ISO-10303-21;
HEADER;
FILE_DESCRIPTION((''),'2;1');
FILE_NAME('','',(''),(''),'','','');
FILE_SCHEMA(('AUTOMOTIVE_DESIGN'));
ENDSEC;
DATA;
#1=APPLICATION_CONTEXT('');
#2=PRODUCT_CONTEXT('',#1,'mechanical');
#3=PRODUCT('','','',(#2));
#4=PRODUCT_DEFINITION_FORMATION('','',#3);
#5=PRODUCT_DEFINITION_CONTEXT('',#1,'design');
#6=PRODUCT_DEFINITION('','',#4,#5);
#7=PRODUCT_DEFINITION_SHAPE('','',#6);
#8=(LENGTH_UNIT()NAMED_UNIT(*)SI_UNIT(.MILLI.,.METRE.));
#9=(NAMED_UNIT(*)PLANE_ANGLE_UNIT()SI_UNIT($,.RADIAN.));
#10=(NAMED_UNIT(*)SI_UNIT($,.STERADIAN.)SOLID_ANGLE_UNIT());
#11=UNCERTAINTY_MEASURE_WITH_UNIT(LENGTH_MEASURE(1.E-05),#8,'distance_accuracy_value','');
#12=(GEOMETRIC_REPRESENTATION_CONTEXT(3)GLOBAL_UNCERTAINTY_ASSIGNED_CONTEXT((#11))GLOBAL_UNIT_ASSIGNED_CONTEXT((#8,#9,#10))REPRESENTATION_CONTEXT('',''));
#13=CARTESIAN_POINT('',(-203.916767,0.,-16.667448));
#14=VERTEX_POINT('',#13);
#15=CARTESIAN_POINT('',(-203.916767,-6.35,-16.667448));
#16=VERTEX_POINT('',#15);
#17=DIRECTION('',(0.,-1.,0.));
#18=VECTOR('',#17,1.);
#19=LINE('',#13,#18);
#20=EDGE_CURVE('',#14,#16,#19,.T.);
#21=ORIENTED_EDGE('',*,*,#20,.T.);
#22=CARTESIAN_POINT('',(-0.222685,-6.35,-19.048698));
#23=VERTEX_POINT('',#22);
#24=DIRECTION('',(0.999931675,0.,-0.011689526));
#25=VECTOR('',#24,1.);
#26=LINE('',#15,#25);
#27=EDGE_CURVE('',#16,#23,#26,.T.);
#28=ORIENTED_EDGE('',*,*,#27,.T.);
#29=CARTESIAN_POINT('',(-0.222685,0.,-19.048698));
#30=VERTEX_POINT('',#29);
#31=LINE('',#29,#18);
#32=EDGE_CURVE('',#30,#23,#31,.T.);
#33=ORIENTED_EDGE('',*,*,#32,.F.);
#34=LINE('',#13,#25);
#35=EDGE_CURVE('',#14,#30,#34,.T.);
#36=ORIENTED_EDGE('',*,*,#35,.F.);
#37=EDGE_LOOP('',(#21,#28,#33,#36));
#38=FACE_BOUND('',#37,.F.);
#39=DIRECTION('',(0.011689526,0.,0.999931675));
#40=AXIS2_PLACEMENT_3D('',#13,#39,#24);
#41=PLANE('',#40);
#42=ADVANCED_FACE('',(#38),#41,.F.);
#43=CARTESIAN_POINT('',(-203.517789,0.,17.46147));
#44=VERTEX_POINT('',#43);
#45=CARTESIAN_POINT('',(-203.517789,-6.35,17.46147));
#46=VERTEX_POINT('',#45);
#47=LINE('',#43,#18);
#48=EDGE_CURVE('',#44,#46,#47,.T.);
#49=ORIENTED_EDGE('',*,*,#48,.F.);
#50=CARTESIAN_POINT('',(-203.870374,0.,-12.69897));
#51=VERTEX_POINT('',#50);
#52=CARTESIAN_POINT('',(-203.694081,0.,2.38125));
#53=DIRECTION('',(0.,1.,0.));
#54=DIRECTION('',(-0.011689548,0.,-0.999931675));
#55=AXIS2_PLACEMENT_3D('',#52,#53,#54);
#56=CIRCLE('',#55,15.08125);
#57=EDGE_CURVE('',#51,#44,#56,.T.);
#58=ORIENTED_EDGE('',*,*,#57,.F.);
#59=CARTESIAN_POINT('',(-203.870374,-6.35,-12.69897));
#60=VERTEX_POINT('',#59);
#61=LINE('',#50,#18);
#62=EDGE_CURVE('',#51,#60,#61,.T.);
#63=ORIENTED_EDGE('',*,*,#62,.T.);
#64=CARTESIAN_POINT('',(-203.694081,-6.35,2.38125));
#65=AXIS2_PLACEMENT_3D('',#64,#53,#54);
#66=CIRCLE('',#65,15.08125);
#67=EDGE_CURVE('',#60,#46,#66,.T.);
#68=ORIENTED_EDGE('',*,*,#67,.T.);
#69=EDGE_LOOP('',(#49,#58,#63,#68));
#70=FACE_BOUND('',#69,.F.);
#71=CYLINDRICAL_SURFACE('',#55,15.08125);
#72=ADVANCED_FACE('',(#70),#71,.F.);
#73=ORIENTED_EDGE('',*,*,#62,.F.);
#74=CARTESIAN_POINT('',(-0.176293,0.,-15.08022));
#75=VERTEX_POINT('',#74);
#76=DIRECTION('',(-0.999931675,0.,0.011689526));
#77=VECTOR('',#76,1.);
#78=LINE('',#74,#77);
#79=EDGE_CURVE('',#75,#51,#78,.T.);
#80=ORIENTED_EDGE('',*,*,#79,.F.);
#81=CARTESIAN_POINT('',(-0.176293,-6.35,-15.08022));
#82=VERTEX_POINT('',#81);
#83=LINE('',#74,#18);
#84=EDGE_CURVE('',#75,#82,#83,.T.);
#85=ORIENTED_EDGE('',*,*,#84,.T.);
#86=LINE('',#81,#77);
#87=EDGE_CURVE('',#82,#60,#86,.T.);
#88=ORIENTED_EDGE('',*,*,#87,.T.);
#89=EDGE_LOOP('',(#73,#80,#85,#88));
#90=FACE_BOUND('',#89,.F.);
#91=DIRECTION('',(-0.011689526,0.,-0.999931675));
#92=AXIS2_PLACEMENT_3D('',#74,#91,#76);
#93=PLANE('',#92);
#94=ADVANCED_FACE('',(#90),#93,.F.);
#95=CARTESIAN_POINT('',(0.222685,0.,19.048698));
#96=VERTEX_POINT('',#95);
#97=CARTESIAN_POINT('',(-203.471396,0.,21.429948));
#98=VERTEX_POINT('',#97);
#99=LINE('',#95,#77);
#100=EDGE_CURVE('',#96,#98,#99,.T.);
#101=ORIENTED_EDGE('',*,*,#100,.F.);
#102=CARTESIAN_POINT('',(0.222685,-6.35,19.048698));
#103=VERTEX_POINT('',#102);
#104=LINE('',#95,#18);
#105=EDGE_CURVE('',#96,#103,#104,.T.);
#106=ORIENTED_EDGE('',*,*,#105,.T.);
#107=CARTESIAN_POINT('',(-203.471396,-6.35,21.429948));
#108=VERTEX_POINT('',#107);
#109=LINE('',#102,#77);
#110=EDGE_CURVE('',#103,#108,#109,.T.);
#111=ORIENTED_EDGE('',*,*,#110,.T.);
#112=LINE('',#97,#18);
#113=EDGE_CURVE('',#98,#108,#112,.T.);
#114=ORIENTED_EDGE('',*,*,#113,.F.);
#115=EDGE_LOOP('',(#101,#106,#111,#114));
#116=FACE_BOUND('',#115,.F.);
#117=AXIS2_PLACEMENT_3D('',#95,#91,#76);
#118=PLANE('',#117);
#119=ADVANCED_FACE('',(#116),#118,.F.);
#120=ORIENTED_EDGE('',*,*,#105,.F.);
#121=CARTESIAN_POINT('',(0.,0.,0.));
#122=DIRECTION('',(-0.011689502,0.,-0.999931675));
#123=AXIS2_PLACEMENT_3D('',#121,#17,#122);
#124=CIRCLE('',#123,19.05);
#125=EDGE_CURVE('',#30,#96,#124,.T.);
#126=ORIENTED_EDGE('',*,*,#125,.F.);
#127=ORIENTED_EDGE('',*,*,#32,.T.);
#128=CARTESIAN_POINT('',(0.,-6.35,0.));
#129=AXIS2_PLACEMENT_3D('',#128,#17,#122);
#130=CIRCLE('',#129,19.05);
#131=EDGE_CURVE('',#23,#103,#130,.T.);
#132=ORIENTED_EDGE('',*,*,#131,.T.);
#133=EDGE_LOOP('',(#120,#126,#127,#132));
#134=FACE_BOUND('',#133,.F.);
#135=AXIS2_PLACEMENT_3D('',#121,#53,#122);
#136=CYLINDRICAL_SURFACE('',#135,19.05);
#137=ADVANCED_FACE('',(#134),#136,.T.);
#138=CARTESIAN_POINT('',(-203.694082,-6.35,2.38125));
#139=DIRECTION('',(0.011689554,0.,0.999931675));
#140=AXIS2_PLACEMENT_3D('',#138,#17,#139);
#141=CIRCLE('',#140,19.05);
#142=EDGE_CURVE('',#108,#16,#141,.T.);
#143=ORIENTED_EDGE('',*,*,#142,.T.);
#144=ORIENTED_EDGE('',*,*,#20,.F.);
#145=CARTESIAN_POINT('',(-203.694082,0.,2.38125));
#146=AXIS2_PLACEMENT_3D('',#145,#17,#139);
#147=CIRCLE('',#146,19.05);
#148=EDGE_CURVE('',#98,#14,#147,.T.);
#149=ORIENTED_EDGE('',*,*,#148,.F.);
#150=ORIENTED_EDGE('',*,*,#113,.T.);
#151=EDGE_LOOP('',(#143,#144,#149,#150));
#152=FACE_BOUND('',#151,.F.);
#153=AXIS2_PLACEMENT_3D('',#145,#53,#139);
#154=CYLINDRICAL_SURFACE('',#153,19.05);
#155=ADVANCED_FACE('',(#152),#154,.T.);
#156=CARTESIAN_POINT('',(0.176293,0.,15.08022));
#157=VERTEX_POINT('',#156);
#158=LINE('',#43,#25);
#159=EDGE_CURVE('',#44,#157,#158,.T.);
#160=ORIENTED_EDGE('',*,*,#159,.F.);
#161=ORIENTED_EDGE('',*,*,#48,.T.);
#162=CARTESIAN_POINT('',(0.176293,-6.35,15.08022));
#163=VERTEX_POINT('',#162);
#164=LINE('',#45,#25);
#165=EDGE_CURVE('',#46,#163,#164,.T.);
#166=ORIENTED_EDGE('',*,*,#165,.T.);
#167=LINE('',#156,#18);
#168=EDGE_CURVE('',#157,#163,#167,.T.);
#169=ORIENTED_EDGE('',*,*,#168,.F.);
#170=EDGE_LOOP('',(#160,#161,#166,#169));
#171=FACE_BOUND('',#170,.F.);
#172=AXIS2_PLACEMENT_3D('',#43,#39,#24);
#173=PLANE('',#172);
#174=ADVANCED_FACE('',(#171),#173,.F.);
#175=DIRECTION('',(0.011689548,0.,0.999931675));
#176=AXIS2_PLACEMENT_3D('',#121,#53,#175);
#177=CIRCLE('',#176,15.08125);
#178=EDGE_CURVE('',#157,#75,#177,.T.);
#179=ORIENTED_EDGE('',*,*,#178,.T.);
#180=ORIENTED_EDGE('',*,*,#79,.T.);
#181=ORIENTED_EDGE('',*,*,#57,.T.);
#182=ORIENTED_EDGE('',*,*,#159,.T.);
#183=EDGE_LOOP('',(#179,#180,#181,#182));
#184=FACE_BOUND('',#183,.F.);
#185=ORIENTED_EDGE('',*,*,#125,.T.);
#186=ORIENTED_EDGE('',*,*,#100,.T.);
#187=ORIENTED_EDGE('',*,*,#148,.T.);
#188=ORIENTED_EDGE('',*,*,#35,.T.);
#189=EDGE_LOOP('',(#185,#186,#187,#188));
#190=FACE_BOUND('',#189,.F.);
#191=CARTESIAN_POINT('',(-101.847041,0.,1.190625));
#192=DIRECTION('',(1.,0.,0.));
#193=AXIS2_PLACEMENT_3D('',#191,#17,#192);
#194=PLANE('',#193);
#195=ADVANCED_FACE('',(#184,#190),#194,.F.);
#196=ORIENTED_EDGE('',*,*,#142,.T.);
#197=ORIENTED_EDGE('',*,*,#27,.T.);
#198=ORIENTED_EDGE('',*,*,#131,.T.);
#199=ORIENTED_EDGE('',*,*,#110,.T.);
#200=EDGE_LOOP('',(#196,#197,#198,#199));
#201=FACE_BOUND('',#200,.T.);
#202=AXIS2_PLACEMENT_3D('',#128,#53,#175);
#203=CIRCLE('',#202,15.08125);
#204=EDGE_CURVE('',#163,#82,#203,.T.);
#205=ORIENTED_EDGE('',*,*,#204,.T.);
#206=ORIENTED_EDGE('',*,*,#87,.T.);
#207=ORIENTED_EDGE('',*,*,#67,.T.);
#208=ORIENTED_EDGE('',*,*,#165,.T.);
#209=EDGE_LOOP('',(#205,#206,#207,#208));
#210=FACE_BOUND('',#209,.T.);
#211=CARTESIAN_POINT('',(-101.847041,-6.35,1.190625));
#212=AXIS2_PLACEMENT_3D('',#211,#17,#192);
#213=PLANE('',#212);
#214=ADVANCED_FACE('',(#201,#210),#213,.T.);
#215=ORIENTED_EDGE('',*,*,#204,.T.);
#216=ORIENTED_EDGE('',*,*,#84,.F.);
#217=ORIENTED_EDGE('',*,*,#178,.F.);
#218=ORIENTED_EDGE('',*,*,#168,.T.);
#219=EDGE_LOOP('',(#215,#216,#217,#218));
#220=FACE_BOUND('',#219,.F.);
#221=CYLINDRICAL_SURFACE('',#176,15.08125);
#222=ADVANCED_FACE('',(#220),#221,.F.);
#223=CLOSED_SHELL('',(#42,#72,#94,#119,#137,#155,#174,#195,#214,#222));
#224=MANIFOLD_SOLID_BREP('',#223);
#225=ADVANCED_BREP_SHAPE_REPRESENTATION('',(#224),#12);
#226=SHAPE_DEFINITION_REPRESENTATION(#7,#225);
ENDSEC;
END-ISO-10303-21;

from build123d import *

# Parameters (mm, degrees)
F1_DEPTH = 6.35


with BuildPart() as f1:
    # F0 (on Front) → F1 (new body)
    with BuildSketch(Plane.XZ):
        with BuildLine():
            Line((0.222685, 19.048698), (-203.471396, 21.429948))
            ThreePointArc((-203.471396, 21.429948), (-222.74278, 2.603935), (-203.916767, -16.667448))
            Line((-203.916767, -16.667448), (-0.222685, -19.048698))
            ThreePointArc((-0.222685, -19.048698), (19.048698, -0.222685), (0.222685, 19.048698))
        make_face()
        with BuildLine():
            Line((-0.176293, -15.08022), (-203.870374, -12.69897))
            ThreePointArc((-203.870374, -12.69897), (-218.774301, 2.557543), (-203.517789, 17.46147))
            Line((-203.517789, 17.46147), (0.176293, 15.08022))
            ThreePointArc((0.176293, 15.08022), (15.08022, -0.176293), (-0.176293, -15.08022))
        make_face(mode=Mode.SUBTRACT)
    extrude(amount=F1_DEPTH)


solid = f1.part
